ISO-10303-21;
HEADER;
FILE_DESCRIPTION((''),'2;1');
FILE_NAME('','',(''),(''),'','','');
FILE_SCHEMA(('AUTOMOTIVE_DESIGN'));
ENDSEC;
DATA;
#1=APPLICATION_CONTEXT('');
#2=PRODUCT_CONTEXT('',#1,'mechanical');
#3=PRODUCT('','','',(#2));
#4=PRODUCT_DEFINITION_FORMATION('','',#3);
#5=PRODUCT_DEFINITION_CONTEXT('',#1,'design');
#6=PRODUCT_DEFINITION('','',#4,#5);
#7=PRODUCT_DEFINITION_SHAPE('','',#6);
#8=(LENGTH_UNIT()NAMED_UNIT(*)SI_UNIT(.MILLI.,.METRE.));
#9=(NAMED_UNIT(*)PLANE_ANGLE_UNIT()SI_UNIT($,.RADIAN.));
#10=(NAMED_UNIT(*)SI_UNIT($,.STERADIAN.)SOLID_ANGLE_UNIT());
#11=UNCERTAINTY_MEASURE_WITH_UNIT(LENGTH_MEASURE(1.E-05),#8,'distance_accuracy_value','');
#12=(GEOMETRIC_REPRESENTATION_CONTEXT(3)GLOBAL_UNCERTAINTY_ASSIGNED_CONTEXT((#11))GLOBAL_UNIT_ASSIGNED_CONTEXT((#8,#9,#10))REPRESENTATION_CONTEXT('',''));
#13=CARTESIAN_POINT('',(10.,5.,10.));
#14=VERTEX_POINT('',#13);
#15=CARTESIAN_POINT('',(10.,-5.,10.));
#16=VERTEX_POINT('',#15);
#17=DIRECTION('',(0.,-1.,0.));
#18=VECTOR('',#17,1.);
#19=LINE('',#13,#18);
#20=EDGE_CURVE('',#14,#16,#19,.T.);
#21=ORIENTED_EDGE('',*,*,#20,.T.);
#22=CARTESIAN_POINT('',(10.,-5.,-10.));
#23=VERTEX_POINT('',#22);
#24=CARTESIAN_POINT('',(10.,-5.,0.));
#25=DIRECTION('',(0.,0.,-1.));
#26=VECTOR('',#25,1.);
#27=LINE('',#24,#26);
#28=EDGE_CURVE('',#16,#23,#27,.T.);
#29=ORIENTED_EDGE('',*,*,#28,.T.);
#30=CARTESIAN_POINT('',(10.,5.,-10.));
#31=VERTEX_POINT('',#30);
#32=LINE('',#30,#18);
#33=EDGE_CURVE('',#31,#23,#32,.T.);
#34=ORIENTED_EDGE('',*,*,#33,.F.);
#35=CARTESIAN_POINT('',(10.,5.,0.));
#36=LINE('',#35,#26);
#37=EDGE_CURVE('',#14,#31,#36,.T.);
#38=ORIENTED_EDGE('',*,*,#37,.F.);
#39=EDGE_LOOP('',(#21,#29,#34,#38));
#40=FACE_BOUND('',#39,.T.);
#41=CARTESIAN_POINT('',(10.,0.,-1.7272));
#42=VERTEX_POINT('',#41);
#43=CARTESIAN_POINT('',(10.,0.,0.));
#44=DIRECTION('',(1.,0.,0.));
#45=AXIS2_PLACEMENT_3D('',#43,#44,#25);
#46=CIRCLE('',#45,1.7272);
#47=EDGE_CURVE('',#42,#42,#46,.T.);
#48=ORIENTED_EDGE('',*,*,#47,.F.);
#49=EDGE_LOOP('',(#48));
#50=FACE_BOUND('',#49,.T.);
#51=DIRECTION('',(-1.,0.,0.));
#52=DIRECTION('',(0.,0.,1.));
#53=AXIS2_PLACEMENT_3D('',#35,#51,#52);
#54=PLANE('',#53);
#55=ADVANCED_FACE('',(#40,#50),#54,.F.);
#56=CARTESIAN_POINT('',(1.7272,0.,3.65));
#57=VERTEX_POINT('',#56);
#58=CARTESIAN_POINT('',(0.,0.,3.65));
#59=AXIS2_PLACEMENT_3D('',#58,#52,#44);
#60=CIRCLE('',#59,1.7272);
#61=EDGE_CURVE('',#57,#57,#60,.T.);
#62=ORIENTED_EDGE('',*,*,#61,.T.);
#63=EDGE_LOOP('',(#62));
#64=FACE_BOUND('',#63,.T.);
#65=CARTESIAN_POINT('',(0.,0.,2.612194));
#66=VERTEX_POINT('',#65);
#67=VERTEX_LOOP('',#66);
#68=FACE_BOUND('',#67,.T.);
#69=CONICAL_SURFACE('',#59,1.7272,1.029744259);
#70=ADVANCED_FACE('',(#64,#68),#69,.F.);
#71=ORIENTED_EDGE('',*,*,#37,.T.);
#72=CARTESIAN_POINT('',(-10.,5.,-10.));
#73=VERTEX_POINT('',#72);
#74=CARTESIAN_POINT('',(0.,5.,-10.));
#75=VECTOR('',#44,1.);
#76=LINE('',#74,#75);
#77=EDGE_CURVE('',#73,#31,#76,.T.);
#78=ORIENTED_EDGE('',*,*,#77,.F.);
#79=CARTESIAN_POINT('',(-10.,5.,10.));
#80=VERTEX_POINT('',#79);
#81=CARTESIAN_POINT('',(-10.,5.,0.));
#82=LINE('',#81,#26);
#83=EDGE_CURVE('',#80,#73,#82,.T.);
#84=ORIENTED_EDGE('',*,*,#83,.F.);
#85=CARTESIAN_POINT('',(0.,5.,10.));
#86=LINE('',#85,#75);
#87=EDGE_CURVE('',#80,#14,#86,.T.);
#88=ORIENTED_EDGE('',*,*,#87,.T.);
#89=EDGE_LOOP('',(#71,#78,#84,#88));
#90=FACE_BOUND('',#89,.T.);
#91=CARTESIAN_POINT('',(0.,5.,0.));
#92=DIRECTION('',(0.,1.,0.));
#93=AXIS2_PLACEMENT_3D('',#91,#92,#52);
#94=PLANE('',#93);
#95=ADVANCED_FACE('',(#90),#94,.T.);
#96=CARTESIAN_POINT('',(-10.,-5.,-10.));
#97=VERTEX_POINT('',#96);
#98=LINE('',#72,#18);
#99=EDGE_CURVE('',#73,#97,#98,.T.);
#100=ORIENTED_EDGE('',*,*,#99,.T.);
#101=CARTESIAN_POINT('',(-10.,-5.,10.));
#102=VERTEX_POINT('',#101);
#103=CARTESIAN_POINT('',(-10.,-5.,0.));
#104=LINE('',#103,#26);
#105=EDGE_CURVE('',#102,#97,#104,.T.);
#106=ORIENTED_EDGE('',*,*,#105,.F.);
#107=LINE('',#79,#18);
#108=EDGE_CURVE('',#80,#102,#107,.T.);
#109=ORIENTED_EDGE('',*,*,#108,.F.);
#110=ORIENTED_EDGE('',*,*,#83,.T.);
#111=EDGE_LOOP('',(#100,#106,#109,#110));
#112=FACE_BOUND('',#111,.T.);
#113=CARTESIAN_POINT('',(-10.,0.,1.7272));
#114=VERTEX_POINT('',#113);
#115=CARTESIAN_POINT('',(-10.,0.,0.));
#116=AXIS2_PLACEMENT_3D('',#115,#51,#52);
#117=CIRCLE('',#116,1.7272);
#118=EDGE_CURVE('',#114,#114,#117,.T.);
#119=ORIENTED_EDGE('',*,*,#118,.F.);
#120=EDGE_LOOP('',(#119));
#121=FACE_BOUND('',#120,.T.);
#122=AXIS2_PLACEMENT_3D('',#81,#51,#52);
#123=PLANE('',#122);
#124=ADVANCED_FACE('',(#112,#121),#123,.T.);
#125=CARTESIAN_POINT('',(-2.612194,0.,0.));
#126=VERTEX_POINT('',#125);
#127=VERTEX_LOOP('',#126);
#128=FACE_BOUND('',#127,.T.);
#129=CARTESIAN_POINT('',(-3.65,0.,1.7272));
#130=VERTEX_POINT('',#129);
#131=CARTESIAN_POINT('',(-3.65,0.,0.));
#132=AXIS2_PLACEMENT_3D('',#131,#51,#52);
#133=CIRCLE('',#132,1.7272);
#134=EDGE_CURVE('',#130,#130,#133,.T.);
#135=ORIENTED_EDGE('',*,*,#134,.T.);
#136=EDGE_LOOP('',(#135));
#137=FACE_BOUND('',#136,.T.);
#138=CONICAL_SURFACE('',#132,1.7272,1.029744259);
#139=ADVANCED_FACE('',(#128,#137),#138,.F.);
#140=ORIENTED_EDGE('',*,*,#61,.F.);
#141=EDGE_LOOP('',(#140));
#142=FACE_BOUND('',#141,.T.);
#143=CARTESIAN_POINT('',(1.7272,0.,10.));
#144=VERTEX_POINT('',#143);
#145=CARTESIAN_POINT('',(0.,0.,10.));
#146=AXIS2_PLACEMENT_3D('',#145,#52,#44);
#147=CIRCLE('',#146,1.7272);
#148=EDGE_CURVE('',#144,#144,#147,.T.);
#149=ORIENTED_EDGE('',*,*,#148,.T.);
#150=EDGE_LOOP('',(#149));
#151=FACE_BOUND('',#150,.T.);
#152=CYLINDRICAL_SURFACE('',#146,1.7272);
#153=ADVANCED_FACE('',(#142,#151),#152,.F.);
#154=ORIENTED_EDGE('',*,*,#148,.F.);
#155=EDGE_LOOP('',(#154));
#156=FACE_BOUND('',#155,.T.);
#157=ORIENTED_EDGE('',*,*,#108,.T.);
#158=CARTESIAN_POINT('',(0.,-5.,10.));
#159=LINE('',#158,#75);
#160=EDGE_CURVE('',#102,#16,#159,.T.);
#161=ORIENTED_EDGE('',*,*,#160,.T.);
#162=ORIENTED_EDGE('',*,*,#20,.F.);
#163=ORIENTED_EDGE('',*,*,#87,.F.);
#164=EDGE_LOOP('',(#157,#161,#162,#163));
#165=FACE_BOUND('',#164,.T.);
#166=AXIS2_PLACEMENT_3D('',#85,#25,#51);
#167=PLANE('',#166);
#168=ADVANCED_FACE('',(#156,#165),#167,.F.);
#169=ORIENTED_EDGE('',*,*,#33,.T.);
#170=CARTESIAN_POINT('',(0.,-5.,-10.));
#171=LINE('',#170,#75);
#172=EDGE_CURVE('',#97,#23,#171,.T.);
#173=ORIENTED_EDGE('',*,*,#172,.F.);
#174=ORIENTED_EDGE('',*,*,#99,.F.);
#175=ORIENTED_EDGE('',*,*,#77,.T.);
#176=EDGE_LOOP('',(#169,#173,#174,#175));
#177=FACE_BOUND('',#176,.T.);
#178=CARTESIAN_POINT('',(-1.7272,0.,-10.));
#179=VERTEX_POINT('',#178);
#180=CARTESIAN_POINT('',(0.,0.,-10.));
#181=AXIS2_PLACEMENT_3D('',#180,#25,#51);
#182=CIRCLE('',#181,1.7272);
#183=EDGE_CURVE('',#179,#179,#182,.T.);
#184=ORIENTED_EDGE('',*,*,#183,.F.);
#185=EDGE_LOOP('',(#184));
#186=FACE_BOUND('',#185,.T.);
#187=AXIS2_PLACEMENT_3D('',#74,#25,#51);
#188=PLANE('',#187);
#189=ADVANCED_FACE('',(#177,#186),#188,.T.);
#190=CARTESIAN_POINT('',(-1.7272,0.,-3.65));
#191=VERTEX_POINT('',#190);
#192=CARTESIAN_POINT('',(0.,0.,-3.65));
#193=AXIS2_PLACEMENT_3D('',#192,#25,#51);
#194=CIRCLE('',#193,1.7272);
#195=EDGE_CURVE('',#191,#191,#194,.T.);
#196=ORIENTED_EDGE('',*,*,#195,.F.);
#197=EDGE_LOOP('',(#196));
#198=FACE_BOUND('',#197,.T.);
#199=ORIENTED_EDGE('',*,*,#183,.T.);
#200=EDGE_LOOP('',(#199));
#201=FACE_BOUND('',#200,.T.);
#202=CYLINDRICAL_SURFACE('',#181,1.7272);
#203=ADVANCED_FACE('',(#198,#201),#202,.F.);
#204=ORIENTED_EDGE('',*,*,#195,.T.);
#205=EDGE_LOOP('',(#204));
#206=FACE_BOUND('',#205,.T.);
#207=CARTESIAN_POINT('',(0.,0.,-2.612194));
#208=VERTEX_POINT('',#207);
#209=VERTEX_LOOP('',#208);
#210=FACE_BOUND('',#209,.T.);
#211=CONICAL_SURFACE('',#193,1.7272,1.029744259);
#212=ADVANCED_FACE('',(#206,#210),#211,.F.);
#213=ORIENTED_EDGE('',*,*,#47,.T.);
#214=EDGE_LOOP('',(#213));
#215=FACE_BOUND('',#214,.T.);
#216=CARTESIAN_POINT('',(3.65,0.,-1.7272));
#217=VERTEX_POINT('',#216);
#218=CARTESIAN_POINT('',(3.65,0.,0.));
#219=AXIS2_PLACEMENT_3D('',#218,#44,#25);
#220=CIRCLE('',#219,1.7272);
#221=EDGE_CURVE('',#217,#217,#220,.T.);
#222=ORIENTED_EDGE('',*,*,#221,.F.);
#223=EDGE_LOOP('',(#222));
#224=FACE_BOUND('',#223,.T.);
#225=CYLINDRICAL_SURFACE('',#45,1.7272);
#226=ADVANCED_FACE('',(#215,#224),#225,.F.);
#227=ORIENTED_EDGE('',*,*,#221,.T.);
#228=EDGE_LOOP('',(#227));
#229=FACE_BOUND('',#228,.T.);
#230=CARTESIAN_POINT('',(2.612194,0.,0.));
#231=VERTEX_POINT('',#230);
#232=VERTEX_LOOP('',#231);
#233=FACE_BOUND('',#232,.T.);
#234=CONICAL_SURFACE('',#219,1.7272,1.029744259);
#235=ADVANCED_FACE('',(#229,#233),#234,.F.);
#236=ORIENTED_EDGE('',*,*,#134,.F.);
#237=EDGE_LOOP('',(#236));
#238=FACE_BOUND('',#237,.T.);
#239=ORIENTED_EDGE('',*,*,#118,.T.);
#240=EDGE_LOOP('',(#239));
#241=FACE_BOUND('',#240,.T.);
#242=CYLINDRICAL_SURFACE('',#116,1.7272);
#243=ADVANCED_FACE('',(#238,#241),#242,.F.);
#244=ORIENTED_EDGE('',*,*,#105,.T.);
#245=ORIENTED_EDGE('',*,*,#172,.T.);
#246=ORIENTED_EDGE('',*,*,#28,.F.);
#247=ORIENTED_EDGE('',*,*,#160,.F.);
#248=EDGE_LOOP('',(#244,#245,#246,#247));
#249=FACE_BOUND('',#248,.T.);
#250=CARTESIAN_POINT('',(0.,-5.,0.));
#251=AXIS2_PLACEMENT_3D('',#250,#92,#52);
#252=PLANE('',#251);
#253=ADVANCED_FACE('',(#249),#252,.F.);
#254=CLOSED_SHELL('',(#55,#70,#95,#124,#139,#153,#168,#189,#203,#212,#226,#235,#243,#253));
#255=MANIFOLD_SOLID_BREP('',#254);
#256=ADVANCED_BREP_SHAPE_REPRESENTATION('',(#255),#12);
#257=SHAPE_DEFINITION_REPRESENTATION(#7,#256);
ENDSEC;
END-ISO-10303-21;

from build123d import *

# Parameters (mm, degrees)
SKETCH1_W           = 20
SKETCH1_H           = 20
BOSS_EXTRUDE1_DEPTH = 5
CIRPATTERN1_COUNT   = 4


with BuildPart() as part:
    # Sketch1 → Boss-Extrude1 (new, symmetric)
    with BuildSketch(Plane(origin=(0, 0, 0), x_dir=(1, 0, 0), z_dir=(0, 1, 0))):
        Rectangle(SKETCH1_W, SKETCH1_H)
    extrude(amount=BOSS_EXTRUDE1_DEPTH, both=True)

    # Sketch3 → #8-32 Tapped Hole1 (revolve, cut)
    with BuildSketch(Plane(origin=(10, 0, 0), x_dir=(0, 0, -1), z_dir=(0, 1, 0))):
        Polygon((0, 0), (0, 7.387806461), (1.7272, 6.35), (1.7272, 0), align=None)
    f_8_32_tapped_hole1 = revolve(axis=Axis((16.35, 0, 0), (-1, 0, 0)), mode=Mode.SUBTRACT)

    # CirPattern1: #8-32 Tapped Hole1 ×4 about axis
    cirpattern1_axis = Axis((0, 0, 0), (0, 1, 0))
    for i in range(1, CIRPATTERN1_COUNT):
        add(f_8_32_tapped_hole1.rotate(cirpattern1_axis, i * 360 / CIRPATTERN1_COUNT), mode=Mode.SUBTRACT)


solid = part.part
